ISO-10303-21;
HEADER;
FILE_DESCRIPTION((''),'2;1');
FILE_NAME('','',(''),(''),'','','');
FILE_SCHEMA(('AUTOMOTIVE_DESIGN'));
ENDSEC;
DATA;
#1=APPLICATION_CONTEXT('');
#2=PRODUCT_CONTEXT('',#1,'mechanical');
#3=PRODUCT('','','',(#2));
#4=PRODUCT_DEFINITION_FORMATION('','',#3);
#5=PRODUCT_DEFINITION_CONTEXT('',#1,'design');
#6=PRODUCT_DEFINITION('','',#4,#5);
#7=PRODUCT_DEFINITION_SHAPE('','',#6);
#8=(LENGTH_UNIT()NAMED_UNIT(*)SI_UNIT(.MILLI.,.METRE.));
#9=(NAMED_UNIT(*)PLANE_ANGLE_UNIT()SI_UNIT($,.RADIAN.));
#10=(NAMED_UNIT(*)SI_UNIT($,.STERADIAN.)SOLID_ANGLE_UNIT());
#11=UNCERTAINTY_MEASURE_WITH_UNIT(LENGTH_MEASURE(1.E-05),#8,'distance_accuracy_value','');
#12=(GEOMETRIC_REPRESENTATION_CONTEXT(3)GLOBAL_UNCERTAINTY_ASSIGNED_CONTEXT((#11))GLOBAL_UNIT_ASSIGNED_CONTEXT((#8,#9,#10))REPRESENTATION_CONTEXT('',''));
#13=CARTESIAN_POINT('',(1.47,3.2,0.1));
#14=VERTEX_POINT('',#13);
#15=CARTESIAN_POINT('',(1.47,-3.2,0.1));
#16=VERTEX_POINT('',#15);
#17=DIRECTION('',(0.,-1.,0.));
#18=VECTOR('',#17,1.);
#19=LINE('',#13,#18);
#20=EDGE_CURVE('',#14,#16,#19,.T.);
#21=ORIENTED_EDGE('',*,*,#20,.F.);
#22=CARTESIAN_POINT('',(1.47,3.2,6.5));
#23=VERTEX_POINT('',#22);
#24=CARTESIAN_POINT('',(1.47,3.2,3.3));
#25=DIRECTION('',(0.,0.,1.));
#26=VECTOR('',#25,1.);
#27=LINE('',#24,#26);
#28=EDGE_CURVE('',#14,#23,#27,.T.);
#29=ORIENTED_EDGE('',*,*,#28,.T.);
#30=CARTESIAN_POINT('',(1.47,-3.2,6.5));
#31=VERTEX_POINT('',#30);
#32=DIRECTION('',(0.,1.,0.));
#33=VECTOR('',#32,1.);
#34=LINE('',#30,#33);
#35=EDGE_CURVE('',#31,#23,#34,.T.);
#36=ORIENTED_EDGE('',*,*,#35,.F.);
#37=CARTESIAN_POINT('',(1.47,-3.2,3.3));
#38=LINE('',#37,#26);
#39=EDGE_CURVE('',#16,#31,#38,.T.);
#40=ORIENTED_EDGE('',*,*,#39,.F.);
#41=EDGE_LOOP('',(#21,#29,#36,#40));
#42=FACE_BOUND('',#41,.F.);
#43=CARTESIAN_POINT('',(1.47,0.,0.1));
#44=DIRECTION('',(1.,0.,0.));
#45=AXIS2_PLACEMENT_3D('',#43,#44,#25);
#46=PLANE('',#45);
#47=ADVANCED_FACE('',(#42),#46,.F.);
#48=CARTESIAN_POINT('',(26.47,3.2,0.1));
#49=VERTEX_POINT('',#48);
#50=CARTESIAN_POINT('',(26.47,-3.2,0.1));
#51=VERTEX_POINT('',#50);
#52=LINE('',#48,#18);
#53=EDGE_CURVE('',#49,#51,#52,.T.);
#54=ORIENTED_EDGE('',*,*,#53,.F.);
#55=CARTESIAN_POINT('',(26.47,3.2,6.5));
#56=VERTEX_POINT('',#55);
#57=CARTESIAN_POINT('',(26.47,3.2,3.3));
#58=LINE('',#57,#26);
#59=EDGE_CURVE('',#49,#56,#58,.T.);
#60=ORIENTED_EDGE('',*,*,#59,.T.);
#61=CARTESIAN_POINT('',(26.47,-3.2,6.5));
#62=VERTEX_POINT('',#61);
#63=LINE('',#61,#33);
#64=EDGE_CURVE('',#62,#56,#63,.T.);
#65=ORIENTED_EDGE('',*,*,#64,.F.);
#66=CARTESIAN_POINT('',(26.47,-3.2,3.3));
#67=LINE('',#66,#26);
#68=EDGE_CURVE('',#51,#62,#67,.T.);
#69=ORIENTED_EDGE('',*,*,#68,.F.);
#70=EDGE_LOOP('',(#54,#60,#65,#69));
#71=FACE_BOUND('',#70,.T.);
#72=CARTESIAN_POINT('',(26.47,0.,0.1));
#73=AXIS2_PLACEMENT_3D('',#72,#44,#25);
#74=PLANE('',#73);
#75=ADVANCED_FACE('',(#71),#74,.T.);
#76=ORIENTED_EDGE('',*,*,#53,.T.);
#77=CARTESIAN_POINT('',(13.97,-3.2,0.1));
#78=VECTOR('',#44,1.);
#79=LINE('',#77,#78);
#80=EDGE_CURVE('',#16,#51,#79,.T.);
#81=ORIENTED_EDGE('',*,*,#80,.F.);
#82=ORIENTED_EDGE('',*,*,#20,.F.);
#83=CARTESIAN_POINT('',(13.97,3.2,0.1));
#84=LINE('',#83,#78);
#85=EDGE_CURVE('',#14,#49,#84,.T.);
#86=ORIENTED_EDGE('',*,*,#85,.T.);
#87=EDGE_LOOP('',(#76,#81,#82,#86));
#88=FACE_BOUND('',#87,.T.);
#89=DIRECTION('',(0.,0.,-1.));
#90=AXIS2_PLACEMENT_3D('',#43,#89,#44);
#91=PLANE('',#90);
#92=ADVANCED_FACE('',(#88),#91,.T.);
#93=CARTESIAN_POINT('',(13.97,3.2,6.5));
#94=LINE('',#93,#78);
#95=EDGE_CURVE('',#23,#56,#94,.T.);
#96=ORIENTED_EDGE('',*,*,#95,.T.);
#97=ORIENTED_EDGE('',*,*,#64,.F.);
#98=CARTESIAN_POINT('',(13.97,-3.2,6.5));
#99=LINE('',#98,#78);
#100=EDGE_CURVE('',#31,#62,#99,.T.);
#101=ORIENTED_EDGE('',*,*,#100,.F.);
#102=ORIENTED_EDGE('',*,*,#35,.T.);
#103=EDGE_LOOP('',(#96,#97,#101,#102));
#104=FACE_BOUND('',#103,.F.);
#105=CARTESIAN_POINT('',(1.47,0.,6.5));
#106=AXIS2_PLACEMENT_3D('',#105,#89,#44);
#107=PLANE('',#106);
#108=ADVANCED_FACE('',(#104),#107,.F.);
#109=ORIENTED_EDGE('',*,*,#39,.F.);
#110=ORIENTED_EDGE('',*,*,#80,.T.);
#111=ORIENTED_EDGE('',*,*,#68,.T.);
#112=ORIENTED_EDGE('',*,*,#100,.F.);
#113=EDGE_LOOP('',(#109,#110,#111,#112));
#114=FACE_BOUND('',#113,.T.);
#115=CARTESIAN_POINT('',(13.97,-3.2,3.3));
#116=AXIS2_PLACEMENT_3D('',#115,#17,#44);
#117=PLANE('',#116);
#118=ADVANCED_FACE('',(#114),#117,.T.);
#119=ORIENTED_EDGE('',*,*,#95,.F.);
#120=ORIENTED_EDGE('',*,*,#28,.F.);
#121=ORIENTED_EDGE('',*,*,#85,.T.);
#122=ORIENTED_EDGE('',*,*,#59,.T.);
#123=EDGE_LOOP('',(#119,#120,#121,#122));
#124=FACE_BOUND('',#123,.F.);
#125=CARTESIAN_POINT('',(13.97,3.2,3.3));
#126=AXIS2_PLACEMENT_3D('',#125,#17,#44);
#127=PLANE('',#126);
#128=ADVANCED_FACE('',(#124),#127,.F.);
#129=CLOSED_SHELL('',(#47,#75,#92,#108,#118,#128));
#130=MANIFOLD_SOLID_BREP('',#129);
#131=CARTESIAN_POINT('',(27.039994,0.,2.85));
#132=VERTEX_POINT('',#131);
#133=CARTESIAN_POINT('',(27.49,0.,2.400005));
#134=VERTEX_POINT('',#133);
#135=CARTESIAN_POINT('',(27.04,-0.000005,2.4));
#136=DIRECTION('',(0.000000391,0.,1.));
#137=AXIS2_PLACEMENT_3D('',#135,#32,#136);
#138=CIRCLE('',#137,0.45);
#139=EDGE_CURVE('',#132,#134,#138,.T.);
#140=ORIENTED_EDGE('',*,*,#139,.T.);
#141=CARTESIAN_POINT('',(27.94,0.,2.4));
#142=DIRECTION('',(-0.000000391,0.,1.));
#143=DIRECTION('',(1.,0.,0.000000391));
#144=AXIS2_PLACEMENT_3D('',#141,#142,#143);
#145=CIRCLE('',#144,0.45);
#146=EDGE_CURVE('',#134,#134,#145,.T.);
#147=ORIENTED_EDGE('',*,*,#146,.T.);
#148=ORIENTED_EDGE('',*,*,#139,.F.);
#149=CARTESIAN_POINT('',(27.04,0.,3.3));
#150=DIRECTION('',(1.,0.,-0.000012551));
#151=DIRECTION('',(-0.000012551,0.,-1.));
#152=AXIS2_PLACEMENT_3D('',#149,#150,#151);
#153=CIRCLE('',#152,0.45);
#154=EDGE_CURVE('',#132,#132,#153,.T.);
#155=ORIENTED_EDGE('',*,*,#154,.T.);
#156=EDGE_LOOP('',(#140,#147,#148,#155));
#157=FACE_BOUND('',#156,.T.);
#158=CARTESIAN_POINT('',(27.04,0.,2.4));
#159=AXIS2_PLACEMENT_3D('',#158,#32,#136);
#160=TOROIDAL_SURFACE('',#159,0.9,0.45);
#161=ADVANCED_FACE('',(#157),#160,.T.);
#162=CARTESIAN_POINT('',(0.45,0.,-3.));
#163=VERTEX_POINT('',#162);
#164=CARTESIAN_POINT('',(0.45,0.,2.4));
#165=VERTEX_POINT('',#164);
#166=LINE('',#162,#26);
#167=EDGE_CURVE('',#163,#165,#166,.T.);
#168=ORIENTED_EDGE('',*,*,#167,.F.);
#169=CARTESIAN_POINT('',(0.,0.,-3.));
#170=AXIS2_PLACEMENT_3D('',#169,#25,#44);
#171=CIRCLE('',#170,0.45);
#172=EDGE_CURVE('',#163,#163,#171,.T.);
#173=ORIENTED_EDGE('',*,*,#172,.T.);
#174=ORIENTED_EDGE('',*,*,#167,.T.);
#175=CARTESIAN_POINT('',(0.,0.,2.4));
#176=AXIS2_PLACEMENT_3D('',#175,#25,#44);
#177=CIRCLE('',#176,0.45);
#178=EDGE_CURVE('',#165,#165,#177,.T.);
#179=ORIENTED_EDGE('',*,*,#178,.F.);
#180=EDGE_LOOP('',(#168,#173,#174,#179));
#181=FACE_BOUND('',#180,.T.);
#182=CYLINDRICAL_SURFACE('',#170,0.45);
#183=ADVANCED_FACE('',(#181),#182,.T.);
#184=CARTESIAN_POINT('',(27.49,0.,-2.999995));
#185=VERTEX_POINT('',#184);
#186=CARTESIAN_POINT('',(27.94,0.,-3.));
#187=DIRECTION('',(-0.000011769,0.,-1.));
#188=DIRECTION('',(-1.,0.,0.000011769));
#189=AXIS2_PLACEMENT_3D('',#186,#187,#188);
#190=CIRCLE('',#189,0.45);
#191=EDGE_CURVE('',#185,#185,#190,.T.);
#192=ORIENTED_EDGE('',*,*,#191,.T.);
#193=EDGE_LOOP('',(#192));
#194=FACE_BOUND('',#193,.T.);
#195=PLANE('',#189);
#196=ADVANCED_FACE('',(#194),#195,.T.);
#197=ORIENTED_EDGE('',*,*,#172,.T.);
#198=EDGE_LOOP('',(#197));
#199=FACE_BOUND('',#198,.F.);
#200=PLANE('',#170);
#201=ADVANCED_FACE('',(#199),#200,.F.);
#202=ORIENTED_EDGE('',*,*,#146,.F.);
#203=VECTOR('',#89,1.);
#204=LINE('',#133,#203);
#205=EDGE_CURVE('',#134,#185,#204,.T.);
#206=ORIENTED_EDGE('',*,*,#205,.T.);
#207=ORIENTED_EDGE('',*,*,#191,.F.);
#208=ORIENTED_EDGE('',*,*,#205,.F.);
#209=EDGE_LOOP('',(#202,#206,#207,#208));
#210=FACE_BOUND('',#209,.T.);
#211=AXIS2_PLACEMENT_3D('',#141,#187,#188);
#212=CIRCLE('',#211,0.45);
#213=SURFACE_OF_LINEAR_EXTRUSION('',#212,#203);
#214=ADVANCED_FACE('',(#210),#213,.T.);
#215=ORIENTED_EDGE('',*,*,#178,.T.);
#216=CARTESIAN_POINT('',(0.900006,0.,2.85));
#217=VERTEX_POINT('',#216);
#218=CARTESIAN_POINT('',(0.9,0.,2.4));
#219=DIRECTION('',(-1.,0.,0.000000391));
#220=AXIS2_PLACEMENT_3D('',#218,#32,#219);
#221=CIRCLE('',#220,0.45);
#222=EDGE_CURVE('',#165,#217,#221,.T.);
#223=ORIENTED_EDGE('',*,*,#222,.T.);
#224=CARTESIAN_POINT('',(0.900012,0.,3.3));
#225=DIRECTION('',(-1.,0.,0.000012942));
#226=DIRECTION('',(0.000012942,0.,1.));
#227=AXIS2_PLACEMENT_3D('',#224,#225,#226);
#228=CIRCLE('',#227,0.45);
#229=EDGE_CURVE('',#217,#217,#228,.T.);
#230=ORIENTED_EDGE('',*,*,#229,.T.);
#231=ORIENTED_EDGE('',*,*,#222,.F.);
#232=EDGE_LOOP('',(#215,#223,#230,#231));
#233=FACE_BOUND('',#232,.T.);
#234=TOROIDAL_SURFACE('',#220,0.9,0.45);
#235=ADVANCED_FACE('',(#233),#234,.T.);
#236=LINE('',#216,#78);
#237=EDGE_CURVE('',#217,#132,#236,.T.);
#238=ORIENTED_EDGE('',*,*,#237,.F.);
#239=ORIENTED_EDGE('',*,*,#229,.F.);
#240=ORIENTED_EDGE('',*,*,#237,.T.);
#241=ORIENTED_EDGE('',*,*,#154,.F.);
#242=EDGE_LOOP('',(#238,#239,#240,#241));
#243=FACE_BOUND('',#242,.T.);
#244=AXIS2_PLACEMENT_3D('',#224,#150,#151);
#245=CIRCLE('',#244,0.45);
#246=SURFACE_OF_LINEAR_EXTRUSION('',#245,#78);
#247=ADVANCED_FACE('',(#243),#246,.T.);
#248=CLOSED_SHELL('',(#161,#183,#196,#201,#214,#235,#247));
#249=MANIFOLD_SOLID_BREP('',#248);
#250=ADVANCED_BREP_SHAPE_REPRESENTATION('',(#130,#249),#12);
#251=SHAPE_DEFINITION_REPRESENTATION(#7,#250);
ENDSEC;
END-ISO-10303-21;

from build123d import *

# Parameters (mm, degrees)
SKETCH_R    = 0.45
SKETCH002_W = 25
SKETCH002_H = 6.4
PAD_DEPTH   = 3.2


with BuildPart() as sweep_body:
    # Sweep: sweep along a path in Sketch001
    with BuildLine(Plane.XZ) as sweep_path:
        Line((0, -3), (0, 2.4))
        ThreePointArc((0, 2.4), (0.263608, 3.0364), (0.900012, 3.3))
        Line((0.900012, 3.3), (27.04, 3.3))
        ThreePointArc((27.04, 3.3), (27.676396, 3.036396), (27.94, 2.4))
        Line((27.94, 2.4), (27.94, -3))
    # Sketch → Sweep (sweep)
    with BuildSketch(Plane.XY.offset(-2)):
        Circle(SKETCH_R)
    sweep(path=sweep_path.line)


with BuildPart() as pad:
    # Sketch002 → Pad (new body, symmetric)
    with BuildSketch(Plane.XZ):
        with Locations((13.97, 3.3)):
            Rectangle(SKETCH002_W, SKETCH002_H)
    extrude(amount=PAD_DEPTH, both=True)


solid = Compound([sweep_body.part, pad.part])
